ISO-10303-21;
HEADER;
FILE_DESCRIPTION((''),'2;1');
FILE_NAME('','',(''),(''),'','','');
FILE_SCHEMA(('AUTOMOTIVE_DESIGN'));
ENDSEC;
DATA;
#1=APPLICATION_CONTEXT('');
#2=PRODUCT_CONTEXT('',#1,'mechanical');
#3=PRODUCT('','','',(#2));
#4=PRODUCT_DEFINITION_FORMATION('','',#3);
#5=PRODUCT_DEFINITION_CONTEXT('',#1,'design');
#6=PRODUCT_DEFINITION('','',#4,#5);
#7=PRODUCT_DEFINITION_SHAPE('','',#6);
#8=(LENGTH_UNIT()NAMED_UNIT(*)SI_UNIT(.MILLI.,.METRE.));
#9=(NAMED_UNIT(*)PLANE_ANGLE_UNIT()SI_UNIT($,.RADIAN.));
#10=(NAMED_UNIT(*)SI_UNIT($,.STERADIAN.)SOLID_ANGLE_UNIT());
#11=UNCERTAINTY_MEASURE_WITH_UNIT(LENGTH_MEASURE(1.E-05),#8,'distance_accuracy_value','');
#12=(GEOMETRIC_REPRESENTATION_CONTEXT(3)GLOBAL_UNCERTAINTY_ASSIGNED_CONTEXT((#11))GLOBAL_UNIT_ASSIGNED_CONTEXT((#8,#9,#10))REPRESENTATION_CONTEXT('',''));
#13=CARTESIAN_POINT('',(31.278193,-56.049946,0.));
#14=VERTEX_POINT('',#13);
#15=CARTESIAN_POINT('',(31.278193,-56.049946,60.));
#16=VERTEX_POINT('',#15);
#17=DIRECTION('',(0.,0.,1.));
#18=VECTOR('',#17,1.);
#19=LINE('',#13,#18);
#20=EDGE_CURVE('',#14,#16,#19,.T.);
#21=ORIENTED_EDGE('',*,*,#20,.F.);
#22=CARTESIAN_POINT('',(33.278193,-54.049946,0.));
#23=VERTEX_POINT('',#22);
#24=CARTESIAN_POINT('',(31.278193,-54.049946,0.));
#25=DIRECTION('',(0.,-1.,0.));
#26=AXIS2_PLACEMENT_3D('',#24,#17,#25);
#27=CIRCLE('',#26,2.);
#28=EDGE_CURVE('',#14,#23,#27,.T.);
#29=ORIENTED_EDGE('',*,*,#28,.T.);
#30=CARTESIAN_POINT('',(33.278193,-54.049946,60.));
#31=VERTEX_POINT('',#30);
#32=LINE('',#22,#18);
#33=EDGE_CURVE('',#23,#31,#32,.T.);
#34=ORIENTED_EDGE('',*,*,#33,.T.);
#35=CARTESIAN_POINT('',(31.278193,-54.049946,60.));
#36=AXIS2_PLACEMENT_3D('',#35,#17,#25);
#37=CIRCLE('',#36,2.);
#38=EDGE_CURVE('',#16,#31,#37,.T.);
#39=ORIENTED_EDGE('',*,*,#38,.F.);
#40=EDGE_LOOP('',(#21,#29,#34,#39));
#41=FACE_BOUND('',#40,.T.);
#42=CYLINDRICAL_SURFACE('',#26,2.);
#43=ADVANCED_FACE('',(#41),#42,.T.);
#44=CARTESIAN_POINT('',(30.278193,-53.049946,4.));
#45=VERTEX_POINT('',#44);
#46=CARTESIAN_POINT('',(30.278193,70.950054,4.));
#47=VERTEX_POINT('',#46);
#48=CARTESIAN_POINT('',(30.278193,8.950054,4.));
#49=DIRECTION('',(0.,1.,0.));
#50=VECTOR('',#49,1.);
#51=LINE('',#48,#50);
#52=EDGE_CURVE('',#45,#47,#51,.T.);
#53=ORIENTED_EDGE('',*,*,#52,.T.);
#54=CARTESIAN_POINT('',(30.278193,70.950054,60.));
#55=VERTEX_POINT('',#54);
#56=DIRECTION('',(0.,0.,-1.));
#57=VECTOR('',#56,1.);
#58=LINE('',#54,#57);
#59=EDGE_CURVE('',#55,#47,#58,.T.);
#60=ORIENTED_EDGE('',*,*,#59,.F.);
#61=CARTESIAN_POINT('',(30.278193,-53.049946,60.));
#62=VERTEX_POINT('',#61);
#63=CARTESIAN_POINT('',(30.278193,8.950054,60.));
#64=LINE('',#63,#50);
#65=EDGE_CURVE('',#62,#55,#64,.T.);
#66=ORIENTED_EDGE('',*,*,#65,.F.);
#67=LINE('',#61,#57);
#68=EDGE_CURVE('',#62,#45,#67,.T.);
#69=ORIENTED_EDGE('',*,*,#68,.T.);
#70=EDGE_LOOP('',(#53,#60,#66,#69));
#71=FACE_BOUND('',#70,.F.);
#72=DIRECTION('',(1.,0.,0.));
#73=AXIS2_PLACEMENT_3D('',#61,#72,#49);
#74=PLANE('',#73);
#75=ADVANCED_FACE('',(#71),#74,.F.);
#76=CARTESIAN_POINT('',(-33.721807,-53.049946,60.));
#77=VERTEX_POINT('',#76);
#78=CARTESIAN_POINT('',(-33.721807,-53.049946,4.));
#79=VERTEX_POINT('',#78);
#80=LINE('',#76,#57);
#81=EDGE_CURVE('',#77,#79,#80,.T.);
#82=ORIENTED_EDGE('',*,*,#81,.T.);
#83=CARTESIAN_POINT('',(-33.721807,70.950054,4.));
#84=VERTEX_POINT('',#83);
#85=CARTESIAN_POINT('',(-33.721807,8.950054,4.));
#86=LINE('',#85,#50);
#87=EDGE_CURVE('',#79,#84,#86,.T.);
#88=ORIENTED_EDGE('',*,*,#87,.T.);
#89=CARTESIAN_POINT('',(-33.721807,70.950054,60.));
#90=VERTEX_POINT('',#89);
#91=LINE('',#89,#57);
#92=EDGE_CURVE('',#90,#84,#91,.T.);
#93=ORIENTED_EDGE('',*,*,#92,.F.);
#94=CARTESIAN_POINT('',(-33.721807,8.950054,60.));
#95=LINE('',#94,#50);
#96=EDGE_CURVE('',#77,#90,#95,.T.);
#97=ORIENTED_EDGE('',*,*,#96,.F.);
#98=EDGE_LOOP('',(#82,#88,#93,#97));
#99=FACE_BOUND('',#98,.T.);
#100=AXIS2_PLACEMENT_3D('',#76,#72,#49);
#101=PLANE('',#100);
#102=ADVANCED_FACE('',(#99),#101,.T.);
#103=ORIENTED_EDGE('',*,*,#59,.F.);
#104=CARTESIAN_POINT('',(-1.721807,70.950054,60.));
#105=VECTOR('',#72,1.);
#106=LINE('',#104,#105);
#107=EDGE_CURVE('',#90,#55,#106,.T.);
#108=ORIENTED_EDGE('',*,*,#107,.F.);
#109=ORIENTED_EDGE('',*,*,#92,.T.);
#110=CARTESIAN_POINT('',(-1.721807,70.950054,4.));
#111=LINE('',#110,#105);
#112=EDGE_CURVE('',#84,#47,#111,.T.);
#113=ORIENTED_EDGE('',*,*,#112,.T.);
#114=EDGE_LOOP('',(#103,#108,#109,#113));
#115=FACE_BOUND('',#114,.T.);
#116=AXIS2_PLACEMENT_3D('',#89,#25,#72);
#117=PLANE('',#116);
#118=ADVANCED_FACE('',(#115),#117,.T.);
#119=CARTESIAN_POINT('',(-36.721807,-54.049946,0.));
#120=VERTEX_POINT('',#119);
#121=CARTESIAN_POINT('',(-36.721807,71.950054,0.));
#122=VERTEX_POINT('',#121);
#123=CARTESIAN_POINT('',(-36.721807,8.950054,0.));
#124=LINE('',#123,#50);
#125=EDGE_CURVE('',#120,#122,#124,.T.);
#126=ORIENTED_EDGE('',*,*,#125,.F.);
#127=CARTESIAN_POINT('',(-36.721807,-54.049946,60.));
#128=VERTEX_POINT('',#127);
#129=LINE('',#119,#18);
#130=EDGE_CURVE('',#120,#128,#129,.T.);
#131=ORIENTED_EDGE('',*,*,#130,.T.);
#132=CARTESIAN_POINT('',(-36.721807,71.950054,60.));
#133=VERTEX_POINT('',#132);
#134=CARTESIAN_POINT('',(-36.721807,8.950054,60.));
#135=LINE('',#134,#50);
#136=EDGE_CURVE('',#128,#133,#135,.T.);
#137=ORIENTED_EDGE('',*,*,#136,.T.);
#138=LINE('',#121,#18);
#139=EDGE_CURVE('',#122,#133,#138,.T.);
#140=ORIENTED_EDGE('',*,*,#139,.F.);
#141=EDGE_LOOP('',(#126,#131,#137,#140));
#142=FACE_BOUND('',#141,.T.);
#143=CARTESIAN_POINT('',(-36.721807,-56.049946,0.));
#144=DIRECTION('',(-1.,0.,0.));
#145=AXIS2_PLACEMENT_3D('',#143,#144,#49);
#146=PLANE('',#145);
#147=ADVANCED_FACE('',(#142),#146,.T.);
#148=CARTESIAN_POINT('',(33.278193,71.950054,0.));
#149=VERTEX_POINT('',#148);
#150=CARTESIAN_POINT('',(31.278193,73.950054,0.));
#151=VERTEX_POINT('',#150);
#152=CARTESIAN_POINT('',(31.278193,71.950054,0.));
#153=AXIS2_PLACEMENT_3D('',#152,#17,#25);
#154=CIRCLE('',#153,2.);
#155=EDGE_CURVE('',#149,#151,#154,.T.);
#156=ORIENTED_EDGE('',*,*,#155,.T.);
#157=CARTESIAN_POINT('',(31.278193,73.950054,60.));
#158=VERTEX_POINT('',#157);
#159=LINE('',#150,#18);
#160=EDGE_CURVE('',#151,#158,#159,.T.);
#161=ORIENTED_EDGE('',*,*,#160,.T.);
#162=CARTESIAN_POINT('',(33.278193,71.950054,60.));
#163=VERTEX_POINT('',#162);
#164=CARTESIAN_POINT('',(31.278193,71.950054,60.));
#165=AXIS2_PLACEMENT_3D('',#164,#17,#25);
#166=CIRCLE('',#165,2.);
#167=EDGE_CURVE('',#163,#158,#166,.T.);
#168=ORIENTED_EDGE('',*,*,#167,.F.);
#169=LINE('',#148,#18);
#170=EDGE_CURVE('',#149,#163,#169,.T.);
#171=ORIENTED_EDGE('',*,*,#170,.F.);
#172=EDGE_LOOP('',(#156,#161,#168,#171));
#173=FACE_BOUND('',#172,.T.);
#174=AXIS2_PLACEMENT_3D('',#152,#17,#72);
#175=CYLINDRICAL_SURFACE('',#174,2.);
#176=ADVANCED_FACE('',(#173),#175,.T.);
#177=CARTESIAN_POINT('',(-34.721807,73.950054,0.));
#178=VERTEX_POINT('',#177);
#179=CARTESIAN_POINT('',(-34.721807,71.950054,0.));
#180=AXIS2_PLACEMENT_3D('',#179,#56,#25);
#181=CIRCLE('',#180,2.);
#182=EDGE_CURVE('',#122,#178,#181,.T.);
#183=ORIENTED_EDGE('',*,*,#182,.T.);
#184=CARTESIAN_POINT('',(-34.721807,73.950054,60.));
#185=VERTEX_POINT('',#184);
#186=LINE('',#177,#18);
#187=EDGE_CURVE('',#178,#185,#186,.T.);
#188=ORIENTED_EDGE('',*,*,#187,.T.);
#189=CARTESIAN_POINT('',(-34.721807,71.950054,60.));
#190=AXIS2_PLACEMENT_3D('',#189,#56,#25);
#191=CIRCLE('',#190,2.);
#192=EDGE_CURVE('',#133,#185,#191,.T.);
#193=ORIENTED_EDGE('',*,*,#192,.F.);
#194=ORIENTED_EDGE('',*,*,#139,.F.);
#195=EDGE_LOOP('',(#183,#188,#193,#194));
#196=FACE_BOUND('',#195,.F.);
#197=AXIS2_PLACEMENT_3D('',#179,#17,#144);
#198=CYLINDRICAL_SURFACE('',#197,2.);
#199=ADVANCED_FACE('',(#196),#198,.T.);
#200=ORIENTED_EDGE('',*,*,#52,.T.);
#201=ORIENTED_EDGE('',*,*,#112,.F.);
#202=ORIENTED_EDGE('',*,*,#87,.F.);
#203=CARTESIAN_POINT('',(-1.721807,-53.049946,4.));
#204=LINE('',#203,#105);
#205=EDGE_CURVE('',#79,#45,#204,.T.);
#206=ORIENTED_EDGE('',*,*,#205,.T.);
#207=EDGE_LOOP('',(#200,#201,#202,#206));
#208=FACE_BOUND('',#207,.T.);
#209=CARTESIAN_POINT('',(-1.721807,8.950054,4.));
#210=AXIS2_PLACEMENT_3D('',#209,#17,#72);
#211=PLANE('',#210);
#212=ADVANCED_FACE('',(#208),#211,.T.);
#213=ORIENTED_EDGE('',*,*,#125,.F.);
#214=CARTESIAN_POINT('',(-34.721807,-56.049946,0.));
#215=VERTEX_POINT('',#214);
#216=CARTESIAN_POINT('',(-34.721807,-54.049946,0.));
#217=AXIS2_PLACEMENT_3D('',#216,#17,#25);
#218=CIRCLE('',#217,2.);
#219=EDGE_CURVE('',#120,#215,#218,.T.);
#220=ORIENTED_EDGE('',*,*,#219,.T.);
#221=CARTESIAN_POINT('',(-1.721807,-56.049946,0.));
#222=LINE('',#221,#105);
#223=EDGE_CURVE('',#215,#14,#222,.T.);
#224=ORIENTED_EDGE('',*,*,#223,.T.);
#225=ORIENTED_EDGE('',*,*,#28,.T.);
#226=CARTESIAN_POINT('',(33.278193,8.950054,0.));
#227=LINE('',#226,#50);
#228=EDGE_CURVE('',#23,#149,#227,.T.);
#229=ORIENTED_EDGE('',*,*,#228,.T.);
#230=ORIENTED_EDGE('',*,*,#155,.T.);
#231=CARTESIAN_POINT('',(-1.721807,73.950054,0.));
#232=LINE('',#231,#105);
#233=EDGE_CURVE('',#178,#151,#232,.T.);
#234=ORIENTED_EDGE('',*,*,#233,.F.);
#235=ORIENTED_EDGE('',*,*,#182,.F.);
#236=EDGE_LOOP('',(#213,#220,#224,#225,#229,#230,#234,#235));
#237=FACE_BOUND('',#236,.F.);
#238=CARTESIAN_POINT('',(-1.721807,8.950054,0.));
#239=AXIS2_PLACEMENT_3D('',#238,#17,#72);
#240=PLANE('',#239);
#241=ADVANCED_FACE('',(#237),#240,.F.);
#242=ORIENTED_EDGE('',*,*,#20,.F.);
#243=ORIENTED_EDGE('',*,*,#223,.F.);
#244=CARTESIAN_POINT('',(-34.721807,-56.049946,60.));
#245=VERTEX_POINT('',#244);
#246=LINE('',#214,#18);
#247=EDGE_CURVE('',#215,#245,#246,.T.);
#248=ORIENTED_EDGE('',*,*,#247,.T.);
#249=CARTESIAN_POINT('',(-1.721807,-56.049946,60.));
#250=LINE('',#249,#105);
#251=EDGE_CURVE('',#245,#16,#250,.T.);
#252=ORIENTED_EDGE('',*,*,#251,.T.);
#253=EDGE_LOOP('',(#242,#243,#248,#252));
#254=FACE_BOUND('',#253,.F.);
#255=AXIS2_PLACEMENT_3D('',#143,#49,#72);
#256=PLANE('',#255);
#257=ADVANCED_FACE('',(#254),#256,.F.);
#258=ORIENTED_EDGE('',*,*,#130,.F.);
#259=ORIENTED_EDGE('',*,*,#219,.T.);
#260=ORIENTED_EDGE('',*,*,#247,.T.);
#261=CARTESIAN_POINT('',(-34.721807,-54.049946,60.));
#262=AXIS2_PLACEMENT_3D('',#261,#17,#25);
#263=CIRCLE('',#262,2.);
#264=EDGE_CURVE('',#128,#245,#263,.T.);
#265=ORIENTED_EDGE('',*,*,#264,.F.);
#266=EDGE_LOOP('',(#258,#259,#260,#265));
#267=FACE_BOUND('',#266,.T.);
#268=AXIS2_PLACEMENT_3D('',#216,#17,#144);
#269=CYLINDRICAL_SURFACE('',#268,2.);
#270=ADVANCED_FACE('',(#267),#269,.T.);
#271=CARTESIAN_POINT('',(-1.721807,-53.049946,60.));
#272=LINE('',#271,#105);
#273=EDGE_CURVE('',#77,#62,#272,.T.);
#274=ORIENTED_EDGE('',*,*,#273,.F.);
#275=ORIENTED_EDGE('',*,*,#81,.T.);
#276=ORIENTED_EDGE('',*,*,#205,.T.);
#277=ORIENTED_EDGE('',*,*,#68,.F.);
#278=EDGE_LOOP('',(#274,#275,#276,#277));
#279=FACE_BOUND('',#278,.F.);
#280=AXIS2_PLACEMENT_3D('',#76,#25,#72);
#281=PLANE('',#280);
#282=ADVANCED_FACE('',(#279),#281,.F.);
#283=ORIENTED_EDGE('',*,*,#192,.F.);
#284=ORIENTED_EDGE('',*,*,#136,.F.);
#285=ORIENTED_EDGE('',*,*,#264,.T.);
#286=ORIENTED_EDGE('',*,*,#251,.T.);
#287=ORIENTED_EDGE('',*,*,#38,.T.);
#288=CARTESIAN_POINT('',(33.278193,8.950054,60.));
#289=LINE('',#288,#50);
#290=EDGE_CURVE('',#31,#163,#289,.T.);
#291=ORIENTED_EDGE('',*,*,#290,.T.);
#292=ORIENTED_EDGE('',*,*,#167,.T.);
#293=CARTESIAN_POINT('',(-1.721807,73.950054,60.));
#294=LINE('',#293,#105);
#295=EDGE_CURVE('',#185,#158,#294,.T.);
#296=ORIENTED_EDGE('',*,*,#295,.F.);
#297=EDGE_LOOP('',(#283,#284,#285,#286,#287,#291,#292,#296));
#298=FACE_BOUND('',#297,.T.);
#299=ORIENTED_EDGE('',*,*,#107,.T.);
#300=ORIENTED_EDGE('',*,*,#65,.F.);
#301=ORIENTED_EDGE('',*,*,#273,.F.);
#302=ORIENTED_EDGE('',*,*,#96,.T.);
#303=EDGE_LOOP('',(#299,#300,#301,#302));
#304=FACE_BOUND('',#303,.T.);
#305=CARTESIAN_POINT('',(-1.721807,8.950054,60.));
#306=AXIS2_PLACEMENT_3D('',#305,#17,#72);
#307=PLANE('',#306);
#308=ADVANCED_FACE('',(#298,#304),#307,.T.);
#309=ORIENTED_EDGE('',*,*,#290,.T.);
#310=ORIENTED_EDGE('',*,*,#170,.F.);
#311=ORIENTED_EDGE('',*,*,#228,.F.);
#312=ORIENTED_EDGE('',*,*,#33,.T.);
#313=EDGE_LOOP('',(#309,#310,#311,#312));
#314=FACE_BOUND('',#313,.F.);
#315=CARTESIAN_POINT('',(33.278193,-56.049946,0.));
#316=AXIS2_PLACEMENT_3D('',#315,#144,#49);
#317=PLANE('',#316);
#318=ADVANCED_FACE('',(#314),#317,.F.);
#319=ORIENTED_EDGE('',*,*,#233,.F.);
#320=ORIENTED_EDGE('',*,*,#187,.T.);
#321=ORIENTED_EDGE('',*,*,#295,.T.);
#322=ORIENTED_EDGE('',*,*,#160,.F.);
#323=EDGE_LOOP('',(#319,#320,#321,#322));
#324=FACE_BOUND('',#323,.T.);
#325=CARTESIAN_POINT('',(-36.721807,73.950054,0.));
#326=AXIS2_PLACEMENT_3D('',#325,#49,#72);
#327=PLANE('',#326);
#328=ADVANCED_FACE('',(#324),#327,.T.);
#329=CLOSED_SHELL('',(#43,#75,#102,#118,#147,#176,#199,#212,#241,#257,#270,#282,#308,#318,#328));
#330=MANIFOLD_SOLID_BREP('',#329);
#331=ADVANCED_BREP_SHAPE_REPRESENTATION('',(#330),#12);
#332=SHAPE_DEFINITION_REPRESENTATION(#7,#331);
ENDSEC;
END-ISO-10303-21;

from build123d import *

# Parameters (mm, degrees)
F0_W     = 70
F0_H     = 130
F1_DEPTH = 60
F2_R     = 2
F3_W     = 64
F3_H     = 124
F4_DEPTH = 56


with BuildPart() as f1:
    # F0 (on Top) → F1 (new body)
    with BuildSketch(Plane.XY):
        with Locations((-1.721807, 8.950054)):
            Rectangle(F0_W, F0_H)
    extrude(amount=F1_DEPTH)

    # F2
    f2_edges = [f1.edges().sort_by_distance(p)[0] for p in [
        (33.278193, 73.950054, 30),
        (33.278193, -56.049946, 30),
        (-36.721807, 73.950054, 30),
        (-36.721807, -56.049946, 30),
    ]]
    fillet(f2_edges, radius=F2_R)

    # F3 (on face) → F4 (cut)
    with BuildSketch(Plane.XY.offset(60)):
        with Locations((-1.721807, 8.950054)):
            Rectangle(F3_W, F3_H)
    extrude(amount=-F4_DEPTH, mode=Mode.SUBTRACT)


solid = f1.part
